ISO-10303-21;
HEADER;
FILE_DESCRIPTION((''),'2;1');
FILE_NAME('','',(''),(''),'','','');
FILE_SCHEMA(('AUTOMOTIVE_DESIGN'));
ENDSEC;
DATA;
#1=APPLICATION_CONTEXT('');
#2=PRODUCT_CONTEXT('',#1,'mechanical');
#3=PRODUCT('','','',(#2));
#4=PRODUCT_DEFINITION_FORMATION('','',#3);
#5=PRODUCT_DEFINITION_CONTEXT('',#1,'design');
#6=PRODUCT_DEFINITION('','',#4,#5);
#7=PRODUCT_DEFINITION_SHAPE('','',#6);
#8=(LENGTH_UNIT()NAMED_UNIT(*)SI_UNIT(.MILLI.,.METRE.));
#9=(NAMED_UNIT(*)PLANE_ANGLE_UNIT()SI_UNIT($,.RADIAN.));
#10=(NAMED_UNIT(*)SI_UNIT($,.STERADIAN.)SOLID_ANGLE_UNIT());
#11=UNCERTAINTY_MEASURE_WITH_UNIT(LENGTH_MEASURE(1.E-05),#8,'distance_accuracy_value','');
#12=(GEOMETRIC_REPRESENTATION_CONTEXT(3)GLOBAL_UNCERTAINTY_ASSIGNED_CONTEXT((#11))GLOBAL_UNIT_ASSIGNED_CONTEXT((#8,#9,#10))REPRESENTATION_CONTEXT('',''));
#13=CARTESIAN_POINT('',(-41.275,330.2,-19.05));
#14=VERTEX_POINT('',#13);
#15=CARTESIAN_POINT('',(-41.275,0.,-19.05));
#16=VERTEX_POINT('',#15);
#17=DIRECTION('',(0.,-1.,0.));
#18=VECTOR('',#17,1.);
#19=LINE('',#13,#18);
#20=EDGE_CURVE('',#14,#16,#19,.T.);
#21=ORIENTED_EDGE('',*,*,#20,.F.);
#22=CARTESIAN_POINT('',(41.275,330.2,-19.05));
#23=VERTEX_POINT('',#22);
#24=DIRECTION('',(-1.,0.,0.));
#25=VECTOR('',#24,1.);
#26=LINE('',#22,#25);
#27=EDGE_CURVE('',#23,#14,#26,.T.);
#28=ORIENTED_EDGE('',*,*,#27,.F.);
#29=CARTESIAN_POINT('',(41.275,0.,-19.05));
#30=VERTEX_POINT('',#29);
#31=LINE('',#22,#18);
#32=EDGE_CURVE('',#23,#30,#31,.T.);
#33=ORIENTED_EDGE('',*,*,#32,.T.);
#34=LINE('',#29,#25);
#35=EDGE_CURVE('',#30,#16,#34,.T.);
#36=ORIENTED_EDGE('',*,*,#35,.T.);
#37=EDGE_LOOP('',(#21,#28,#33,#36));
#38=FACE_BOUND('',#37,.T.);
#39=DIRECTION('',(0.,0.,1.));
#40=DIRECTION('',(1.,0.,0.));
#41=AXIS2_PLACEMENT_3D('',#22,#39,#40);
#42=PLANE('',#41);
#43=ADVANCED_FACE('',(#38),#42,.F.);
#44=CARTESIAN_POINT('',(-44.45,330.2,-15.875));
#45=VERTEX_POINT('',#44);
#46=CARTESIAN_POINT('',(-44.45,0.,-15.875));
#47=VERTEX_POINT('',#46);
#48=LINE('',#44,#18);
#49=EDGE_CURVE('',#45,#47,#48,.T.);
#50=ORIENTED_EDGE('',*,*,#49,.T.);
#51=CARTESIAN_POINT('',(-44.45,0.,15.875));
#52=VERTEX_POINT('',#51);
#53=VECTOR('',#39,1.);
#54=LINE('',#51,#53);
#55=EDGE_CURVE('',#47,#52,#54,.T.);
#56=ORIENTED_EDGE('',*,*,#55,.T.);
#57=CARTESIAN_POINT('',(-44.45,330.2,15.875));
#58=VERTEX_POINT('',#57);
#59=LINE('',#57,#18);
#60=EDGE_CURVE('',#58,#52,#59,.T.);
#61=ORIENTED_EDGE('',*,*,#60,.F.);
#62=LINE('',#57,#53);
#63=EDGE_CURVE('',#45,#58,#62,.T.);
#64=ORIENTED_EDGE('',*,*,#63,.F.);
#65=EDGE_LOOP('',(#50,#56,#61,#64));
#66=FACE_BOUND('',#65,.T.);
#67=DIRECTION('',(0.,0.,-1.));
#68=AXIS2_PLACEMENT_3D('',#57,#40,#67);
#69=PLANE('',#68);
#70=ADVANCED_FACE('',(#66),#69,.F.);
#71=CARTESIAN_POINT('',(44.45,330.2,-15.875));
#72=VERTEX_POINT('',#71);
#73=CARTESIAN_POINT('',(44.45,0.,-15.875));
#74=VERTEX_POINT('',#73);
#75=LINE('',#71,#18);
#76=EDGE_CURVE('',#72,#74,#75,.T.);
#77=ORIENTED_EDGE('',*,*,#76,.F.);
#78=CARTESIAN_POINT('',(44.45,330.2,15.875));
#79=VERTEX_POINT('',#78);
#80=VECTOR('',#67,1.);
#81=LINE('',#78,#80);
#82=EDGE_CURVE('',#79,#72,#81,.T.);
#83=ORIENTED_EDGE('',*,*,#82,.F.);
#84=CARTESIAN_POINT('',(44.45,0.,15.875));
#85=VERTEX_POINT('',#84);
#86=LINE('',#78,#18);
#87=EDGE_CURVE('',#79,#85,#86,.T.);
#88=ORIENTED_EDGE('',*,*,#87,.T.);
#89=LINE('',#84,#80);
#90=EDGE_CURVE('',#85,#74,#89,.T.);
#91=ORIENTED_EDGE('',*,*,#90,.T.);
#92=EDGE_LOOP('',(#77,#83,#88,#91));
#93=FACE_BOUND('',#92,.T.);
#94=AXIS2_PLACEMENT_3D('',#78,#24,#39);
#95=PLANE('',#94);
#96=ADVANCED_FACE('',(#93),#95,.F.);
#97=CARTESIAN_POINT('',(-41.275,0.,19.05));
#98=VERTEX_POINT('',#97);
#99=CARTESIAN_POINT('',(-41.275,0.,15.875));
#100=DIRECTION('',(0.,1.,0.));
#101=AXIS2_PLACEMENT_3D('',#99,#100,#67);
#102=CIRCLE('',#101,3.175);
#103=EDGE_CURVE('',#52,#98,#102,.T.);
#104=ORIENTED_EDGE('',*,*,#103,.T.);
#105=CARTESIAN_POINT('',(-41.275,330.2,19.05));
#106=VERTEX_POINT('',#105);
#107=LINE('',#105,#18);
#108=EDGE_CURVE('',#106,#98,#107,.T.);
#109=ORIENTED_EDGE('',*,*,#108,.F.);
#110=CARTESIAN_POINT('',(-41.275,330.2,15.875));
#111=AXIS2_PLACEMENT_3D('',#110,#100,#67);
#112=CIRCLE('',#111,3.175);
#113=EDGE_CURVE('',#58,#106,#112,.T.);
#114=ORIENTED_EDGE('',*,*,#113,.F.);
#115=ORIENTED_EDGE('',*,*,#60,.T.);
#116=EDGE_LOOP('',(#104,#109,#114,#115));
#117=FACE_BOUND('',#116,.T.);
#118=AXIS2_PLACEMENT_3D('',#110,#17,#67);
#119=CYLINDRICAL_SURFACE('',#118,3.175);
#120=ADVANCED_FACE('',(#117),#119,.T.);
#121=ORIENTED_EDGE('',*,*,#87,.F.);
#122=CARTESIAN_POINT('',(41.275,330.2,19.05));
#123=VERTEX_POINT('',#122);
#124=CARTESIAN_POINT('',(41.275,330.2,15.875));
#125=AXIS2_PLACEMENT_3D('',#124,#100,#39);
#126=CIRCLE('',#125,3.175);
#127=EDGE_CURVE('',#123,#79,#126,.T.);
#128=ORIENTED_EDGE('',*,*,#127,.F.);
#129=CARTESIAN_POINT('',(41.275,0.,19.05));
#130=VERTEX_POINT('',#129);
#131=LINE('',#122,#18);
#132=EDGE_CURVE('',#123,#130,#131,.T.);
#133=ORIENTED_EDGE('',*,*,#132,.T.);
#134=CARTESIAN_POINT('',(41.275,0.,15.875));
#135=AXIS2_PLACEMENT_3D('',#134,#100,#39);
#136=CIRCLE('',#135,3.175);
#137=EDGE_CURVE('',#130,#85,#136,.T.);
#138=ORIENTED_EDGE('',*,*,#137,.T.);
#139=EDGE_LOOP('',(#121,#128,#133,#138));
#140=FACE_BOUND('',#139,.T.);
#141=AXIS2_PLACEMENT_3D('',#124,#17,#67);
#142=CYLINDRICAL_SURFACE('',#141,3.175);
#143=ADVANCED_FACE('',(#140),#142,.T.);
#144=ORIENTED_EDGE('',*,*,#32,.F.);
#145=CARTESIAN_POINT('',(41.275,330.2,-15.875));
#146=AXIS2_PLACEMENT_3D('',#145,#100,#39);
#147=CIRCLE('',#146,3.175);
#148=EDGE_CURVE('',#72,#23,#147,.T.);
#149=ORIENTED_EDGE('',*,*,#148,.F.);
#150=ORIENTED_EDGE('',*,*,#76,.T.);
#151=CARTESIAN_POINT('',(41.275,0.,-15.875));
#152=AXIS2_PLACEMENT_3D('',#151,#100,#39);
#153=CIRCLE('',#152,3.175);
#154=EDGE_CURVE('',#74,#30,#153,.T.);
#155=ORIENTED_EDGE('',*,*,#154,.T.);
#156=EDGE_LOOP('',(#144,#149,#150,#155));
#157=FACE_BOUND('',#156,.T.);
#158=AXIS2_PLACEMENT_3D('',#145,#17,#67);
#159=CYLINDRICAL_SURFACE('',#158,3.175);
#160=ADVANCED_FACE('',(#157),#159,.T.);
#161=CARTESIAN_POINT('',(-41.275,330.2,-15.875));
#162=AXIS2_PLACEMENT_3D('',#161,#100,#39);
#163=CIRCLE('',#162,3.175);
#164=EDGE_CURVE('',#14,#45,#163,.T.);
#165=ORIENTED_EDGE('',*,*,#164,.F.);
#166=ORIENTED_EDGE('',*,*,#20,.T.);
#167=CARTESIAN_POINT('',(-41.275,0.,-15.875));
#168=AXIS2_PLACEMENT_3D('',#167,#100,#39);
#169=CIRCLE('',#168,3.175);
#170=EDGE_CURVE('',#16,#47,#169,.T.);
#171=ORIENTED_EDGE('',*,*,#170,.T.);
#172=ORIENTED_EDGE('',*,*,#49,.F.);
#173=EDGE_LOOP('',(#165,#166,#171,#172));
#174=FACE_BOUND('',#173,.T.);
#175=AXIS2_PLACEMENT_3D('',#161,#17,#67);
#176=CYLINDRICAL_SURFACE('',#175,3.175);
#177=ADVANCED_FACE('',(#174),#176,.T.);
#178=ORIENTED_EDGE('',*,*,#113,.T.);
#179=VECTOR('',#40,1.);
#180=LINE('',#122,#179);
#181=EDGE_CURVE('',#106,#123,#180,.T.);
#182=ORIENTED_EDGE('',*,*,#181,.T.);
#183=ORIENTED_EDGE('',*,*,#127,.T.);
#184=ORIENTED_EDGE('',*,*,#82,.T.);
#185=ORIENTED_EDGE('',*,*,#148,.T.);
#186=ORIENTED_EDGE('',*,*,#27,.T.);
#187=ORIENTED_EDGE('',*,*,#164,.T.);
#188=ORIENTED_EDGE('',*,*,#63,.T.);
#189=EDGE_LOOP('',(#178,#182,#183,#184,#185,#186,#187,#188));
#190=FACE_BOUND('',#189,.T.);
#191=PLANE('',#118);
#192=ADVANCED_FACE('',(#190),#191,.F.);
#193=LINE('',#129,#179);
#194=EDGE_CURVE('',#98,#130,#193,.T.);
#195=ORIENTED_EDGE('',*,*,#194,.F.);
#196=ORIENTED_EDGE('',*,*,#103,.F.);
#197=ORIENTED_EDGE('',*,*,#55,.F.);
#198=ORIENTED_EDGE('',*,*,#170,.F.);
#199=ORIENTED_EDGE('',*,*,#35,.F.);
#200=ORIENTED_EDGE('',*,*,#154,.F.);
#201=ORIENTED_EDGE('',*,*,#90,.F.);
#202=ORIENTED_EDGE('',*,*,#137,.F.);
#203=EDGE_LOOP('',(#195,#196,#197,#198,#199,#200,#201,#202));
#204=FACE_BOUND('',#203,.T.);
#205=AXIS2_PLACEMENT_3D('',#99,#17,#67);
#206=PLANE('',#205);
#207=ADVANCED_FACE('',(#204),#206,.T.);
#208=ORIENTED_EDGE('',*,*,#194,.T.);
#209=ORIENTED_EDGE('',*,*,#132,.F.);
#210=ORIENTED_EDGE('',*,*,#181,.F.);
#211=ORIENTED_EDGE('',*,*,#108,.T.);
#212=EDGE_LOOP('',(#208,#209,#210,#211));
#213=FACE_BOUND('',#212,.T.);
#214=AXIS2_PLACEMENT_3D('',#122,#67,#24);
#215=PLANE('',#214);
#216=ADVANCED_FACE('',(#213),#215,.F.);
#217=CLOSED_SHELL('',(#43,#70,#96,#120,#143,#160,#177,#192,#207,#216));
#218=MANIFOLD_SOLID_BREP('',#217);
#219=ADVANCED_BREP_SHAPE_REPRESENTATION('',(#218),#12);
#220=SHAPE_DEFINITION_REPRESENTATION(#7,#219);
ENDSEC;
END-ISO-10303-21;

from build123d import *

# Parameters (mm, degrees)
BOSS_EXTRUDE1_DEPTH = 330.2


with BuildPart() as part:
    # Sketch1 → Boss-Extrude1 (new body)
    with BuildSketch(Plane(origin=(0, 0, 0), x_dir=(1, 0, 0), z_dir=(0, 1, 0))):
        with BuildLine():
            Line((41.275, -19.05), (-41.275, -19.05))
            ThreePointArc((-41.275, -19.05), (-43.52006403, -18.12006403), (-44.45, -15.875))
            Line((-44.45, -15.875), (-44.45, 15.875))
            ThreePointArc((-44.45, 15.875), (-43.52006403, 18.12006403), (-41.275, 19.05))
            Line((-41.275, 19.05), (41.275, 19.05))
            ThreePointArc((41.275, 19.05), (43.52006403, 18.12006403), (44.45, 15.875))
            Line((44.45, 15.875), (44.45, -15.875))
            ThreePointArc((44.45, -15.875), (43.52006403, -18.12006403), (41.275, -19.05))
        make_face()
    extrude(amount=BOSS_EXTRUDE1_DEPTH)


solid = part.part
